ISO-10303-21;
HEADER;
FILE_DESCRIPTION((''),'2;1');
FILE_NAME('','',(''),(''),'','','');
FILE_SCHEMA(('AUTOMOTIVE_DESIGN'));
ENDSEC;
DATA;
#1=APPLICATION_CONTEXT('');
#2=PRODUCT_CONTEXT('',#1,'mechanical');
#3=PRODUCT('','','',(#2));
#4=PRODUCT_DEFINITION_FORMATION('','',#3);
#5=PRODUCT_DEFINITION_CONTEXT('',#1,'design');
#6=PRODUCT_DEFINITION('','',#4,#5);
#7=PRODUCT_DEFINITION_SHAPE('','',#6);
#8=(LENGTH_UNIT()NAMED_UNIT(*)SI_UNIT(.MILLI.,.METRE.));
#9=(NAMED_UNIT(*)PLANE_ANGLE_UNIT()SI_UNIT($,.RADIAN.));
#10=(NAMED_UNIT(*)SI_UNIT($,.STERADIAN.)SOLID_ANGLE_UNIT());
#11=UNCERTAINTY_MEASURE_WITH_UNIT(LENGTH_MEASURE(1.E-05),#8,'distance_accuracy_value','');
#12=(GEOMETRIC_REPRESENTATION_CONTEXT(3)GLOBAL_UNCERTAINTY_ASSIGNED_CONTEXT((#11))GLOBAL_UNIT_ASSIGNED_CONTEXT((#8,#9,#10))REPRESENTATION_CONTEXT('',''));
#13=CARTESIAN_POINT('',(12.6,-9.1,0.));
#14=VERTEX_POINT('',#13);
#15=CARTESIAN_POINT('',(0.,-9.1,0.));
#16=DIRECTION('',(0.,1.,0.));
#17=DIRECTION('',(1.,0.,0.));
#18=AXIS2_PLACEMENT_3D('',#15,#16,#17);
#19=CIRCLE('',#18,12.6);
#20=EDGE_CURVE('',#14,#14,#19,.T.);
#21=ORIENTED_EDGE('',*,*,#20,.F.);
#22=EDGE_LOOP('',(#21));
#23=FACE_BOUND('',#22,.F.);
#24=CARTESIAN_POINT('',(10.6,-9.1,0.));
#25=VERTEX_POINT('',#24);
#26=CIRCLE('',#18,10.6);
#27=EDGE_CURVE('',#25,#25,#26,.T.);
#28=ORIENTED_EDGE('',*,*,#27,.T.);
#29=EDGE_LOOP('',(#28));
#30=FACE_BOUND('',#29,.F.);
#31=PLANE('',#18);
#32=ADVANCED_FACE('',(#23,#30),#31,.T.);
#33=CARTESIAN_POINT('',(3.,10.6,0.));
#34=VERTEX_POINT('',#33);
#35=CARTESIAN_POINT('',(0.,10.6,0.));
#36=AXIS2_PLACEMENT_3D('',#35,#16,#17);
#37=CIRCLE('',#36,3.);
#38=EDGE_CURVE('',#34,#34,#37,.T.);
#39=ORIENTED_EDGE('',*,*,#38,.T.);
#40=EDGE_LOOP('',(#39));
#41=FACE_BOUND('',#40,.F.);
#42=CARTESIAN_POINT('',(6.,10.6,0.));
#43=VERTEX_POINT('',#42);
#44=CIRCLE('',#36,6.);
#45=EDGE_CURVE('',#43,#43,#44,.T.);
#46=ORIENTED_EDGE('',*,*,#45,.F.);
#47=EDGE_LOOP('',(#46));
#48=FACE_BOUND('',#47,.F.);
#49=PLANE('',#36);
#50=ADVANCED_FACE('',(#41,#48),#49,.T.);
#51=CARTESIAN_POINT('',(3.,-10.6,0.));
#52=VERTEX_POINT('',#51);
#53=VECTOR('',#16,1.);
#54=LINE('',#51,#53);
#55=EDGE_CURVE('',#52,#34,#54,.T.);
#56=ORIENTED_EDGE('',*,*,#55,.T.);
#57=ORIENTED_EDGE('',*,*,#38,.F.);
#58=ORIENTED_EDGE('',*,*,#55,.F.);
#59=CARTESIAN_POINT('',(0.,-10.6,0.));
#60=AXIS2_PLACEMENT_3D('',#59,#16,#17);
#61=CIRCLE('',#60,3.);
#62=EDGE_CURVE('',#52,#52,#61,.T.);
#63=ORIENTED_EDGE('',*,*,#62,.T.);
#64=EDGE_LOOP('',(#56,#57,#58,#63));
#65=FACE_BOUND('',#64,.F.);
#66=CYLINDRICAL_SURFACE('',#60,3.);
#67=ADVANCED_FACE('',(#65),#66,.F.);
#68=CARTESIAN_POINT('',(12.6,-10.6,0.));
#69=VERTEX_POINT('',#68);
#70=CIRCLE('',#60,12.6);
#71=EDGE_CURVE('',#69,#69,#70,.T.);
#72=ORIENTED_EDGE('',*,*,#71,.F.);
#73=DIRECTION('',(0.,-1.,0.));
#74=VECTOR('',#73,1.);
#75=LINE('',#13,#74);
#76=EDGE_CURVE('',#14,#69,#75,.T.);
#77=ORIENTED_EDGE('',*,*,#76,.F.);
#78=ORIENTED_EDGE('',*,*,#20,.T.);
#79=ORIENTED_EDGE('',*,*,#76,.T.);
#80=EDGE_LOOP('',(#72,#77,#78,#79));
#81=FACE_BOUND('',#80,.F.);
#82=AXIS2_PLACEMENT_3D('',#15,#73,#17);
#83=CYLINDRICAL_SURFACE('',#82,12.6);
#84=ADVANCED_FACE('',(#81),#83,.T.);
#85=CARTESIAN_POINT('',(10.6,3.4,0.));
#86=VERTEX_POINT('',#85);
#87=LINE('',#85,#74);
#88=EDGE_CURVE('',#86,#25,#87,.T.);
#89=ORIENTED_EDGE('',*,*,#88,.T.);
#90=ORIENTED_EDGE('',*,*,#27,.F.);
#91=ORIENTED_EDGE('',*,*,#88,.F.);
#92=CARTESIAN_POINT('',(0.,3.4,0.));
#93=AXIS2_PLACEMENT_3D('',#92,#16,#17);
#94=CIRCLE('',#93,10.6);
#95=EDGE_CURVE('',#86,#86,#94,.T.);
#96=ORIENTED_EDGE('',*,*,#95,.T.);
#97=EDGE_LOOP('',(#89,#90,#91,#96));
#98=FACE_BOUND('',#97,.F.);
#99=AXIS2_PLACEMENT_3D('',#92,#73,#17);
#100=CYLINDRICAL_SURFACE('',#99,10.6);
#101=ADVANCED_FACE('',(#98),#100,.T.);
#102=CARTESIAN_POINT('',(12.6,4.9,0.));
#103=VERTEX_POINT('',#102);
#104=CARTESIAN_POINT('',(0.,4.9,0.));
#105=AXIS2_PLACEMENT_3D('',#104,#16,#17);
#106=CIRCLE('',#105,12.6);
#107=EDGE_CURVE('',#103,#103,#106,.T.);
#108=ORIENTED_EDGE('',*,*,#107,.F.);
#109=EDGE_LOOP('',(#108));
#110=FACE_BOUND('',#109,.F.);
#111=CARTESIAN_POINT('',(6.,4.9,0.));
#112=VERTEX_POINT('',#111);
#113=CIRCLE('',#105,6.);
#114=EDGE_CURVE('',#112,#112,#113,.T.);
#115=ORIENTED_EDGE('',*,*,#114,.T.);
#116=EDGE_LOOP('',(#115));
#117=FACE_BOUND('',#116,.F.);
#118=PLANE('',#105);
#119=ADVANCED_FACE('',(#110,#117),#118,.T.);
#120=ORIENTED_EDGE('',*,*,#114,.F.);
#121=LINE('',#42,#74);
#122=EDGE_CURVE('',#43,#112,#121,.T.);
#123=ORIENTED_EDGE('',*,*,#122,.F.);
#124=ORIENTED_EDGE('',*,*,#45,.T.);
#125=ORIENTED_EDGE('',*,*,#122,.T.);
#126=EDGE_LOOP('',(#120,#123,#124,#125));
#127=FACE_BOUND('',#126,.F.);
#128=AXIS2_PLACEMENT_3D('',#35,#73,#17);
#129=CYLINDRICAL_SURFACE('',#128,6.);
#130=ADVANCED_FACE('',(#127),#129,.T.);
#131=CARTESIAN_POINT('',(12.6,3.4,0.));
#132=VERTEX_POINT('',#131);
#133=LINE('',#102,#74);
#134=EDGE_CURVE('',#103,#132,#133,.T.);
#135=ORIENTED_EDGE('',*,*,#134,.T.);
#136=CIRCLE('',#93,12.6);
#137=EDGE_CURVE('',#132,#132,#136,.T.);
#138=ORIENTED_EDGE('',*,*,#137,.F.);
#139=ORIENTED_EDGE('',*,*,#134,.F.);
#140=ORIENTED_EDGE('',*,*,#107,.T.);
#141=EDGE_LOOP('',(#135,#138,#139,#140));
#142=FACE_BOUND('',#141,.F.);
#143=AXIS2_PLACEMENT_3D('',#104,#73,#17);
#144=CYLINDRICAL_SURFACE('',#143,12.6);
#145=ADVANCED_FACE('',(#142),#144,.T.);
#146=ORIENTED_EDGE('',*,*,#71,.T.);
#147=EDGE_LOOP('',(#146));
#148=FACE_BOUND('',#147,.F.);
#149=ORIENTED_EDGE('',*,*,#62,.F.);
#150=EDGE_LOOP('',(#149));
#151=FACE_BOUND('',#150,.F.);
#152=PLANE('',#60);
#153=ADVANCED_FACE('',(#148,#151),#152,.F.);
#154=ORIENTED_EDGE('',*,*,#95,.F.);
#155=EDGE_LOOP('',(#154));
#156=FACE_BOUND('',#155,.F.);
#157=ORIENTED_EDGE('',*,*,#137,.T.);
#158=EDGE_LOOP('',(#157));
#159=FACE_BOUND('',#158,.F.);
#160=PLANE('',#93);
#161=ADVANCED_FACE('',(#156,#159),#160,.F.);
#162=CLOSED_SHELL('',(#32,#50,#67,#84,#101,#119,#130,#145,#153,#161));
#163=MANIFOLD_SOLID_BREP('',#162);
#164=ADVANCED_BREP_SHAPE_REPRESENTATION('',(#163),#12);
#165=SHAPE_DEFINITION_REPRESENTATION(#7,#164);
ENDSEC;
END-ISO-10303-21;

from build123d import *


with BuildPart() as part:
    # Sketch → Revolve (revolve)
    with BuildSketch(Plane.XY):
        Polygon((3, -10.6), (3, 10.6), (6, 10.6), (6, 4.9), (12.6, 4.9), (12.6, 3.4), (10.6, 3.4), (10.6, -9.1), (12.6, -9.1), (12.6, -10.6), align=None)
    revolve(axis=Axis((0, 0, 0), (0, 1, 0)))


solid = part.part
